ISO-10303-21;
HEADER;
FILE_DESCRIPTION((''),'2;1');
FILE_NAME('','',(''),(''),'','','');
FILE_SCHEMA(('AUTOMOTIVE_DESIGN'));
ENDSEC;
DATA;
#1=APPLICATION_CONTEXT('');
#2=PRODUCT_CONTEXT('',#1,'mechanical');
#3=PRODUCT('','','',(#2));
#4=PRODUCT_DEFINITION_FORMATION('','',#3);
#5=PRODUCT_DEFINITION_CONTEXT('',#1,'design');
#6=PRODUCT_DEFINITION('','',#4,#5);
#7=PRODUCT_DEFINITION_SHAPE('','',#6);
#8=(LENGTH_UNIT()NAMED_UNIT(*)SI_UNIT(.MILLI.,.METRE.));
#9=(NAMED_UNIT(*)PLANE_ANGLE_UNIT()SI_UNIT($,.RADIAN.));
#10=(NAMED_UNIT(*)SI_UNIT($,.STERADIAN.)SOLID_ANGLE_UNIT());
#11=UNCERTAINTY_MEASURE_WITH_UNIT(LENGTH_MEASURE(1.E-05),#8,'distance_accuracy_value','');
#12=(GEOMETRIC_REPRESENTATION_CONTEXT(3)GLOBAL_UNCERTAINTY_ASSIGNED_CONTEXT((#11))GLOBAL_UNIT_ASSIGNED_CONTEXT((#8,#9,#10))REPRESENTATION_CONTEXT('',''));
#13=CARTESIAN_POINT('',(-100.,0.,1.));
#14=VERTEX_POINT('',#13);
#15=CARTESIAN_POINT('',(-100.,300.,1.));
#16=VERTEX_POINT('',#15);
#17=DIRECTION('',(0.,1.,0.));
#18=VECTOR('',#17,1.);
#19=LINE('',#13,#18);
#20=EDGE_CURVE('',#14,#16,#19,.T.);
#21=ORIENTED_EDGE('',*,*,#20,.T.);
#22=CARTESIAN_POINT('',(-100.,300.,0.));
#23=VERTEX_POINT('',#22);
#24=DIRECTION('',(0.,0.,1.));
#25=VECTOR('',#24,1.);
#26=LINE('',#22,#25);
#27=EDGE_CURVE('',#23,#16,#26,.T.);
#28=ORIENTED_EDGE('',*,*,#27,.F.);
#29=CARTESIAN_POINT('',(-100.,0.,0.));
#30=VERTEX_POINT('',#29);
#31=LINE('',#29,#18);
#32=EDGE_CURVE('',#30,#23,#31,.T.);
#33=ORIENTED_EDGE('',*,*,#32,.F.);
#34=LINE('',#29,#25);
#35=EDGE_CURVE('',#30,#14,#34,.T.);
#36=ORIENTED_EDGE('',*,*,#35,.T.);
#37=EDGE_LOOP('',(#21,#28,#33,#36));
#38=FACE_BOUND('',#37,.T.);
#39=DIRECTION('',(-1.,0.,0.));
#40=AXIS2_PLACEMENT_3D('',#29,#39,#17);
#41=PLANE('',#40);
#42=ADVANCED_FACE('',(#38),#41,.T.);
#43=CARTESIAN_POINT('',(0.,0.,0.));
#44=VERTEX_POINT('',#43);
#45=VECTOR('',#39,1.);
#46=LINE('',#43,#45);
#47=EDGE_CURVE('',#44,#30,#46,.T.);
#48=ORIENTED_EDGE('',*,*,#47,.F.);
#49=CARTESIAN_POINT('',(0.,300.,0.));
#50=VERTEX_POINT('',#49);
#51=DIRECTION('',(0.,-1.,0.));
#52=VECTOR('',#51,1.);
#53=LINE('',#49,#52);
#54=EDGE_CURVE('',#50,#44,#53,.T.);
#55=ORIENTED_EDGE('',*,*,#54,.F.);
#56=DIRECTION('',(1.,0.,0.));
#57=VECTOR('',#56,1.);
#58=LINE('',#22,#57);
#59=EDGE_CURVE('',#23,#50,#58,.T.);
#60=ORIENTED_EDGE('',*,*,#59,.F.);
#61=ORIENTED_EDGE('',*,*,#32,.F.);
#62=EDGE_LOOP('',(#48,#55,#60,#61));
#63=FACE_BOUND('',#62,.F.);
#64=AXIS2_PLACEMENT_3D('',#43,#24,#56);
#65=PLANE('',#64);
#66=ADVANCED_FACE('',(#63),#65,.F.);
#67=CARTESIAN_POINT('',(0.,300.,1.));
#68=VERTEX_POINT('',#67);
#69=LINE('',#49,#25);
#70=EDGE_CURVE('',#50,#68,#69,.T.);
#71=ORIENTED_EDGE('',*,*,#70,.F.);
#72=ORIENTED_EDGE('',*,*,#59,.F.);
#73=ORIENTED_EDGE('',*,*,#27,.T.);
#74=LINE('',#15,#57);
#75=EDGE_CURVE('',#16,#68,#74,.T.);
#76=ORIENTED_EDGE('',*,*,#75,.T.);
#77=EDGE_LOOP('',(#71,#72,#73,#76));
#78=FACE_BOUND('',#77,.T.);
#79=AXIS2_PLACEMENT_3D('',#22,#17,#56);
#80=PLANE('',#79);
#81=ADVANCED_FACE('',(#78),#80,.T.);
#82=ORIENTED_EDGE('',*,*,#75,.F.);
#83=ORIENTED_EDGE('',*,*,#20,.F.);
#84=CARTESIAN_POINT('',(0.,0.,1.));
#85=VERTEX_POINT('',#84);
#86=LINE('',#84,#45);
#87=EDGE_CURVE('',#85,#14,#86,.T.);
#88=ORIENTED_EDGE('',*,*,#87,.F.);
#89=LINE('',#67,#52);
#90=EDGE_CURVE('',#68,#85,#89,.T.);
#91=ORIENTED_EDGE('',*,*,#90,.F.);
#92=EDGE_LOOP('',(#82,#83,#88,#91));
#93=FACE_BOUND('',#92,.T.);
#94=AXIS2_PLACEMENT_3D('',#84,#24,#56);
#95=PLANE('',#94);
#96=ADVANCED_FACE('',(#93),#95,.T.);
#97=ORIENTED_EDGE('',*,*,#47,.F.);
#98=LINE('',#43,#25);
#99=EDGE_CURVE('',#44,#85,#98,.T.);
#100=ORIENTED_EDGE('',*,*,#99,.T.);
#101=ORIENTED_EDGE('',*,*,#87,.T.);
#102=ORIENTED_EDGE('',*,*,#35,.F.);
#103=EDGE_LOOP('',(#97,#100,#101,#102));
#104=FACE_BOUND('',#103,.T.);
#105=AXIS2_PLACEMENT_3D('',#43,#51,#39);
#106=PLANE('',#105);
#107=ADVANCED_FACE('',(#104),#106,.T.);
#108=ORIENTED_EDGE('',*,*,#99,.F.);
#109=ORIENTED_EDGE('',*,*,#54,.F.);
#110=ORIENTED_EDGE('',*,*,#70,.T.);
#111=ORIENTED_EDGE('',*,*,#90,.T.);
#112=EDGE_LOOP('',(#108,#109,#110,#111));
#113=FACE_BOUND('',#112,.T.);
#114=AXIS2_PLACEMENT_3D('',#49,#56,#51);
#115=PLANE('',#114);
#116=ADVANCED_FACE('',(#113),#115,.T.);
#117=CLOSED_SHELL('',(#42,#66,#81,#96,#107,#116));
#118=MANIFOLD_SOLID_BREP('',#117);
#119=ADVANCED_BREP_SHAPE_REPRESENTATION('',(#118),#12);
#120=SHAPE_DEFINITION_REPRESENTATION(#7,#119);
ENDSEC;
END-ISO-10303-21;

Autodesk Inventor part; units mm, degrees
ref_plane "YZ Plane" through (0, 0, 0) normal (1, 0, 0) x (0, 1, 0)
ref_plane "XZ Plane" through (0, 0, 0) normal (0, 1, 0) x (-1, 0, 0)
ref_plane "XY Plane" through (0, 0, 0) normal (0, 0, 1) x (1, 0, 0)
sketch "Sketch1" plane through (0, 0, 0) normal (0, 0, 1) x (1, 0, 0)
  line L0 (0, 0) -> (-100, 0)
  line L1 (-100, 0) -> (-100, 300)
  line L2 (-100, 300) -> (0, 300)
  line L3 (0, 300) -> (0, 0)
  dimension "d0" = 100
  dimension "d1" = 300
extrude "Extrusion1" add sketch "Sketch1" along normal blind 1
properties part number "gtx 1070 pcb"
